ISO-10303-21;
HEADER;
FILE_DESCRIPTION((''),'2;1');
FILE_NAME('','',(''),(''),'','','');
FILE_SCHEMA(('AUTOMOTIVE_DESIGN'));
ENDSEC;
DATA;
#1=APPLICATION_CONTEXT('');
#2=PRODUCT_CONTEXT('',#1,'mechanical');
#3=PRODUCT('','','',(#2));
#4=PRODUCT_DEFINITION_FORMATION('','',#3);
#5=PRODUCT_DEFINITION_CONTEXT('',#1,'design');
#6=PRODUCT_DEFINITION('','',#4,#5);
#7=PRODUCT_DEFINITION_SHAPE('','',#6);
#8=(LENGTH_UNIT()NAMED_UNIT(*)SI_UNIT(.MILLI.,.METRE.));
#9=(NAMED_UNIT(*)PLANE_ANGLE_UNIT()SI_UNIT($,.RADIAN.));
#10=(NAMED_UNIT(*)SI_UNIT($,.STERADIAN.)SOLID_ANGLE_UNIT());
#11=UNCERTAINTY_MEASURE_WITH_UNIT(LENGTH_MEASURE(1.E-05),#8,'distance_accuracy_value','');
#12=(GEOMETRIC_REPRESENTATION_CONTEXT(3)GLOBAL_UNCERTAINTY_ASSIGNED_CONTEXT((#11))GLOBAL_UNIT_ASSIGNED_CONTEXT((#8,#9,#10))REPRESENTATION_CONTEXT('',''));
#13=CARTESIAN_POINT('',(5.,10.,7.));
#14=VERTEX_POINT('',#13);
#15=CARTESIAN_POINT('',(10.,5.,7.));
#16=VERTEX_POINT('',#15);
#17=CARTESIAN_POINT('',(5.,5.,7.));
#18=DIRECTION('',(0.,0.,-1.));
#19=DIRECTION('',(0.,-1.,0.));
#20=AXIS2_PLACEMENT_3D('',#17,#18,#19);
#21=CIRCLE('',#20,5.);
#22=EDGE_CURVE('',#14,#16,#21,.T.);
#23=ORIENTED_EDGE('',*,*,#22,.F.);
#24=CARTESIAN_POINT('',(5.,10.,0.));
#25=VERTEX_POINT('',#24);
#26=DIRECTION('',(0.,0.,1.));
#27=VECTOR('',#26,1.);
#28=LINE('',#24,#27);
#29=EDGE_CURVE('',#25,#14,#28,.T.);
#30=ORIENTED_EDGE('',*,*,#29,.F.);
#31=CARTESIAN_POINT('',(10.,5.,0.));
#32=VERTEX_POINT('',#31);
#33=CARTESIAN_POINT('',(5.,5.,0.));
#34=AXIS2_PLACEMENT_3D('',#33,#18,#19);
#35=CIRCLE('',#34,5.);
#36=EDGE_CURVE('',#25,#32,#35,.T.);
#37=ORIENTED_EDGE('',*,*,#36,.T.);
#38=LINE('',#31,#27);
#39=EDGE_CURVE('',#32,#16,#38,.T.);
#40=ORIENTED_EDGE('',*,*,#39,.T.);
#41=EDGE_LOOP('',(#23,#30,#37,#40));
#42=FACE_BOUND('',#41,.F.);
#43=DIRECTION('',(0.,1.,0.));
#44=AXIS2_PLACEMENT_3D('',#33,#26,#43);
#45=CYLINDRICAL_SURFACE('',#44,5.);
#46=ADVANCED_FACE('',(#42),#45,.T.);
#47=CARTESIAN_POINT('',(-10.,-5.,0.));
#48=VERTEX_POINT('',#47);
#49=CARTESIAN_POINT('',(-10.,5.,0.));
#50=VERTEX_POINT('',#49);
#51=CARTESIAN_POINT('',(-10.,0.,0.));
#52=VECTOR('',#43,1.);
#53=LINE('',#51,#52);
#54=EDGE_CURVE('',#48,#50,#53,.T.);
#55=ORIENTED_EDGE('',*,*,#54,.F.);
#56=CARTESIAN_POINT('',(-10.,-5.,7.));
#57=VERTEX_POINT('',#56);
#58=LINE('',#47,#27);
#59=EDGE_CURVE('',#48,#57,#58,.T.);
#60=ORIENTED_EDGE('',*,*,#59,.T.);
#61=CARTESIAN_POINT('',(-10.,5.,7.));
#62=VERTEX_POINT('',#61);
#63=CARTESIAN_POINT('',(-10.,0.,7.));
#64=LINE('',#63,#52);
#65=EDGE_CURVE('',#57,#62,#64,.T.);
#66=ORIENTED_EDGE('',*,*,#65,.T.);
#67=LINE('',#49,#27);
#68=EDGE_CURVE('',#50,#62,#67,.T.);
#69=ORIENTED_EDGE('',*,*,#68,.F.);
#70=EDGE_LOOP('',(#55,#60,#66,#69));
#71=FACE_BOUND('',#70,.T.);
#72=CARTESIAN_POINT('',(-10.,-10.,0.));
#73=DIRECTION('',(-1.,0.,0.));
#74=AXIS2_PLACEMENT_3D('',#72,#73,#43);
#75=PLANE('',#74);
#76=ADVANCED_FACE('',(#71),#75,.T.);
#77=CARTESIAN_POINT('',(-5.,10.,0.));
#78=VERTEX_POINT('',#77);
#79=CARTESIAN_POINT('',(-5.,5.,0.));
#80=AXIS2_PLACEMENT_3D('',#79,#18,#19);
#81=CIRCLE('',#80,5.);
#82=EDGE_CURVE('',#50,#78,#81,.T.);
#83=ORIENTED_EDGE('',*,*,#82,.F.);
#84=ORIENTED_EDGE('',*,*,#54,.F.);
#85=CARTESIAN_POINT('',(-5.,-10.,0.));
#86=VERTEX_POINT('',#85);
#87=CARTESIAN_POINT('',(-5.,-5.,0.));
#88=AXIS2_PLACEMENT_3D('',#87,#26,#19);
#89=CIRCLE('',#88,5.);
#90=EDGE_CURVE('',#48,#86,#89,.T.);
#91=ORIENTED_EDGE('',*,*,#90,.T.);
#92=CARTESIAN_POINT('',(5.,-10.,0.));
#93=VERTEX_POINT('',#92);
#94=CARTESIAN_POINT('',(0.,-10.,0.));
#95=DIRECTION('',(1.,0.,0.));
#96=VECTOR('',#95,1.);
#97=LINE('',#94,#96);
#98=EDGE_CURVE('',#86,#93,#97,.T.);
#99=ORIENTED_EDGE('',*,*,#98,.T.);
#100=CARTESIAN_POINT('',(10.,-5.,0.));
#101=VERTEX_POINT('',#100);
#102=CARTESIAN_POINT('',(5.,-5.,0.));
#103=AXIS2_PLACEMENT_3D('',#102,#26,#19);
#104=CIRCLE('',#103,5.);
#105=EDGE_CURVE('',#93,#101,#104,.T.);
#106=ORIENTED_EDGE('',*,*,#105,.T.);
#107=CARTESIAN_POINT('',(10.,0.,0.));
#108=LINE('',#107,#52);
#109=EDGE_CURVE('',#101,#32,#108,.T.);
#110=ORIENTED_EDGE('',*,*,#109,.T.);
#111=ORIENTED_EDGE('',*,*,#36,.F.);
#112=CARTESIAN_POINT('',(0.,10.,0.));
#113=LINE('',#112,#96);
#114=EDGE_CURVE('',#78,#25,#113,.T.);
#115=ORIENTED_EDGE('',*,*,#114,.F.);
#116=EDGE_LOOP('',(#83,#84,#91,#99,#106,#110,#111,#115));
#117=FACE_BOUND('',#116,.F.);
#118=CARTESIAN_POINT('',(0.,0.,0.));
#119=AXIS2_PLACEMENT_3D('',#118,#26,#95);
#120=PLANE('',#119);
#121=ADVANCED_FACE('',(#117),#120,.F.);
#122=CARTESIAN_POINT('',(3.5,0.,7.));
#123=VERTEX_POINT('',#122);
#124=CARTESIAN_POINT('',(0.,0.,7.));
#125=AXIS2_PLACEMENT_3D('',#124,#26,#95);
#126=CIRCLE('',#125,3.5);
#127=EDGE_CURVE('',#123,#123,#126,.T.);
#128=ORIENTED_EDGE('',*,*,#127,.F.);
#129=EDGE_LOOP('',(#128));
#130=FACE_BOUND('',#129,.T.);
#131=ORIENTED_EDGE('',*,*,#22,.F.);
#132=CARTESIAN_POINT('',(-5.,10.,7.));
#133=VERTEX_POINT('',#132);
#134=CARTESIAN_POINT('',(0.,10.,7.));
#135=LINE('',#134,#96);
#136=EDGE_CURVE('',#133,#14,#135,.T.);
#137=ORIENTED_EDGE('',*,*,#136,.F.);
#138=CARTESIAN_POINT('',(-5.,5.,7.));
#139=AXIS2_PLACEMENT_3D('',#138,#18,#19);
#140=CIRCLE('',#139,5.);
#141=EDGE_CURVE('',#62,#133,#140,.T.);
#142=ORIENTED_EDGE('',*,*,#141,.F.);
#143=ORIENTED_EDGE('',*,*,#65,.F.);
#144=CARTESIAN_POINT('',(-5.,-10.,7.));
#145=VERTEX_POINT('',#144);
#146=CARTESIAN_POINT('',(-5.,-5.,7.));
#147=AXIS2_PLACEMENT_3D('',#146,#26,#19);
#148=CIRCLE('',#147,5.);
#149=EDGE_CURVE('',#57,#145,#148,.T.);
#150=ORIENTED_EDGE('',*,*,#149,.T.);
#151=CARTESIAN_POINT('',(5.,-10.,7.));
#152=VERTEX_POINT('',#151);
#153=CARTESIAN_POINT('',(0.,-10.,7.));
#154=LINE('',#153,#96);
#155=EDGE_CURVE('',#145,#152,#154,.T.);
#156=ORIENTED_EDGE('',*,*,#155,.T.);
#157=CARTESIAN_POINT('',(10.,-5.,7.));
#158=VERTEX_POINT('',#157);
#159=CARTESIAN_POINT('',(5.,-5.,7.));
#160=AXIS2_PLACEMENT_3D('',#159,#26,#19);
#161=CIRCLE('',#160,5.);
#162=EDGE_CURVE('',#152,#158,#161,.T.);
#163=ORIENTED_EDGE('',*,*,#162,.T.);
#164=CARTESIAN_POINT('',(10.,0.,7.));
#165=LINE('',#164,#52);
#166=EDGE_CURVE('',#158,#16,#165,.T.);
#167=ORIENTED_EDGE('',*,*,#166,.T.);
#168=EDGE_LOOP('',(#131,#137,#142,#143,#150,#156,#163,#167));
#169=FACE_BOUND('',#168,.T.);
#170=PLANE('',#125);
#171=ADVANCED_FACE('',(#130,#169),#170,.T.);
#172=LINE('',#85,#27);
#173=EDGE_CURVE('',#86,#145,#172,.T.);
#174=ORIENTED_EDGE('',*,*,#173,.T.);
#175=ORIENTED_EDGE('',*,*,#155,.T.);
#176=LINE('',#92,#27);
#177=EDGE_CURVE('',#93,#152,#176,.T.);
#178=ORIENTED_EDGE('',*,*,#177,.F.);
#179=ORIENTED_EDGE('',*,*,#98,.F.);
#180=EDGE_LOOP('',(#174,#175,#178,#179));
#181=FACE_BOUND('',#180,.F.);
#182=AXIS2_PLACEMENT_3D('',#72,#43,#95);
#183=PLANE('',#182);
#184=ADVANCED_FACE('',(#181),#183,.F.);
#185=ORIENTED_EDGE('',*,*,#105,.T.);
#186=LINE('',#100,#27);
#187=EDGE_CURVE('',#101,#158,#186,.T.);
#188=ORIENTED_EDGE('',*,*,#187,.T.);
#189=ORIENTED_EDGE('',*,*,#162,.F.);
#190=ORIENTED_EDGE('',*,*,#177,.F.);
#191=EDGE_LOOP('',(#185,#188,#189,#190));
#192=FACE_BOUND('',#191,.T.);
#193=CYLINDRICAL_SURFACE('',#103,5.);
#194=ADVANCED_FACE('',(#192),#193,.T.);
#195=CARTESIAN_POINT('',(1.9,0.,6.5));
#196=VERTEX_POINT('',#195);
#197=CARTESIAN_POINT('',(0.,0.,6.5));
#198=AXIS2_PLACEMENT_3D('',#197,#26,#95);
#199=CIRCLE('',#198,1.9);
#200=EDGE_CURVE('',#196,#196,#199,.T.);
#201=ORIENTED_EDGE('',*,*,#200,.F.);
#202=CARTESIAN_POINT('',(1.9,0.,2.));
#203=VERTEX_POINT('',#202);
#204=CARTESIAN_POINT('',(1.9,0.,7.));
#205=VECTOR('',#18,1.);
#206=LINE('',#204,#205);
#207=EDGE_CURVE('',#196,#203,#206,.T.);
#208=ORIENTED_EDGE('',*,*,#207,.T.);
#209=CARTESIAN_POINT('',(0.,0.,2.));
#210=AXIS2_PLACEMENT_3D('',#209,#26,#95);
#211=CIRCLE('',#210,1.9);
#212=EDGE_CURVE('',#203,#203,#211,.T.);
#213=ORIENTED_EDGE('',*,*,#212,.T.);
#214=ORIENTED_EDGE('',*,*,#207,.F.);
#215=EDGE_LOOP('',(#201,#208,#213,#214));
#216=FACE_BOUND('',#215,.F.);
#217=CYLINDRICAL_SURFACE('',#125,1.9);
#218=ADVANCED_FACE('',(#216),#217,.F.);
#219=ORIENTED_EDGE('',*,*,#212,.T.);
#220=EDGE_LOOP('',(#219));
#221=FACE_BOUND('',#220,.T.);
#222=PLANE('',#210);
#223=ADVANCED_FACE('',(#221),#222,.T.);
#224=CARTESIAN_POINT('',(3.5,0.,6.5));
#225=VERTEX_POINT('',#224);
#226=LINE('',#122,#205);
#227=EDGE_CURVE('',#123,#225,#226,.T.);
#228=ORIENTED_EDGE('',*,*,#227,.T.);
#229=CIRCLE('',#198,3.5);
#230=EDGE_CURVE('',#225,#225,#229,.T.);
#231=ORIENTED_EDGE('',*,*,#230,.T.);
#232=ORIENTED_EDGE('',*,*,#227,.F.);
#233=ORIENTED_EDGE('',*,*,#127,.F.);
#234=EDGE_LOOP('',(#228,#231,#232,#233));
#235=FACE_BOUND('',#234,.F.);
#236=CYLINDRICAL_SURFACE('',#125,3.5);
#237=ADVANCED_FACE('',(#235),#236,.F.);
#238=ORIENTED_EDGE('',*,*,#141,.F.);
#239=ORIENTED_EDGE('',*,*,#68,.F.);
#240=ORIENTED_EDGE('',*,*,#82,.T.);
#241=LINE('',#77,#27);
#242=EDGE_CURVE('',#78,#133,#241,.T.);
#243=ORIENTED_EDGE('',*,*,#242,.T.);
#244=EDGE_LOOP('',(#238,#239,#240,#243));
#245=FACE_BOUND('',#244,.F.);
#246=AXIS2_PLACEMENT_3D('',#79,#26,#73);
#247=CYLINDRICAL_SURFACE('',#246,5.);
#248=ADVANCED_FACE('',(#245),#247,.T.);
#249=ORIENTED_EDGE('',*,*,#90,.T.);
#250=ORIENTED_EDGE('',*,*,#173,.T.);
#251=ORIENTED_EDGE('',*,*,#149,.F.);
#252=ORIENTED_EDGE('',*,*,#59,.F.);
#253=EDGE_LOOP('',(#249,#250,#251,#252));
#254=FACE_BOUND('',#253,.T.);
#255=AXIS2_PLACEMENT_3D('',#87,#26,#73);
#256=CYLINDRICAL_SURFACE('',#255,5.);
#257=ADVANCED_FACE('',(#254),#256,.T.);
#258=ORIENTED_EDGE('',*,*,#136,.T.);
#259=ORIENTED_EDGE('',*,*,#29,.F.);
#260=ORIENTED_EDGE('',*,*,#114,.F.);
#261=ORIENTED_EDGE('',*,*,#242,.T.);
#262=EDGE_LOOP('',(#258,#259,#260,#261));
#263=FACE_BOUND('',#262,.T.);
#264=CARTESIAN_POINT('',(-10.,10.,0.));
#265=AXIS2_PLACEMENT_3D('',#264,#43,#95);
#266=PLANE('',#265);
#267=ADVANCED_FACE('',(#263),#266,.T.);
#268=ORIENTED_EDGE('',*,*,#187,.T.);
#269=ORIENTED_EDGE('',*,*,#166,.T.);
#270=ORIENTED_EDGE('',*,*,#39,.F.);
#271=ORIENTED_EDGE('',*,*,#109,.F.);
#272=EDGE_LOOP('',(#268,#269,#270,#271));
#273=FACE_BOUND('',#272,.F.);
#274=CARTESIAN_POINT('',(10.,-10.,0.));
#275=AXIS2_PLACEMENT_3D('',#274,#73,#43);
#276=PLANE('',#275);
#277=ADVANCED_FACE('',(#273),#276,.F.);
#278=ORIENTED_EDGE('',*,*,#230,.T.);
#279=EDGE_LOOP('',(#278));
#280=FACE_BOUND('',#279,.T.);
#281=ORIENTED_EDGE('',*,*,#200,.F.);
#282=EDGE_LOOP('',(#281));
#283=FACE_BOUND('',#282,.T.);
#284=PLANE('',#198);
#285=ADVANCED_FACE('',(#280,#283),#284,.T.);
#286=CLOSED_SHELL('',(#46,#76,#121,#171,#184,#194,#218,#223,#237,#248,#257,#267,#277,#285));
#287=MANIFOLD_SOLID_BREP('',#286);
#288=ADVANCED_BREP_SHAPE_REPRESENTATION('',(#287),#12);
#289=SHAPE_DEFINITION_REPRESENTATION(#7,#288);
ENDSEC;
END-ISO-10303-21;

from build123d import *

# Parameters (mm, degrees)
F0_W     = 20
F0_H     = 20
F1_DEPTH = 7
F2_R     = 1.9
F3_DEPTH = 5
F4_R     = 3.5
F5_DEPTH = 0.5
F6_R     = 5


with BuildPart() as f1:
    # F0 (on Top) → F1 (new body)
    with BuildSketch(Plane.XY):
        Rectangle(F0_W, F0_H)
    extrude(amount=F1_DEPTH)

    # F2 (on face) → F3 (cut)
    with BuildSketch(Plane.XY.offset(7)):
        Circle(F2_R)
    extrude(amount=-F3_DEPTH, mode=Mode.SUBTRACT)

    # F4 (on face) → F5 (cut)
    with BuildSketch(Plane.XY.offset(7)):
        Circle(F4_R)
    extrude(amount=-F5_DEPTH, mode=Mode.SUBTRACT)

    # F6
    f6_edges = [f1.edges().sort_by_distance(p)[0] for p in [
        (-10, -10, 3.5),
        (10, -10, 3.5),
        (10, 10, 3.5),
        (-10, 10, 3.5),
    ]]
    fillet(f6_edges, radius=F6_R)


solid = f1.part
